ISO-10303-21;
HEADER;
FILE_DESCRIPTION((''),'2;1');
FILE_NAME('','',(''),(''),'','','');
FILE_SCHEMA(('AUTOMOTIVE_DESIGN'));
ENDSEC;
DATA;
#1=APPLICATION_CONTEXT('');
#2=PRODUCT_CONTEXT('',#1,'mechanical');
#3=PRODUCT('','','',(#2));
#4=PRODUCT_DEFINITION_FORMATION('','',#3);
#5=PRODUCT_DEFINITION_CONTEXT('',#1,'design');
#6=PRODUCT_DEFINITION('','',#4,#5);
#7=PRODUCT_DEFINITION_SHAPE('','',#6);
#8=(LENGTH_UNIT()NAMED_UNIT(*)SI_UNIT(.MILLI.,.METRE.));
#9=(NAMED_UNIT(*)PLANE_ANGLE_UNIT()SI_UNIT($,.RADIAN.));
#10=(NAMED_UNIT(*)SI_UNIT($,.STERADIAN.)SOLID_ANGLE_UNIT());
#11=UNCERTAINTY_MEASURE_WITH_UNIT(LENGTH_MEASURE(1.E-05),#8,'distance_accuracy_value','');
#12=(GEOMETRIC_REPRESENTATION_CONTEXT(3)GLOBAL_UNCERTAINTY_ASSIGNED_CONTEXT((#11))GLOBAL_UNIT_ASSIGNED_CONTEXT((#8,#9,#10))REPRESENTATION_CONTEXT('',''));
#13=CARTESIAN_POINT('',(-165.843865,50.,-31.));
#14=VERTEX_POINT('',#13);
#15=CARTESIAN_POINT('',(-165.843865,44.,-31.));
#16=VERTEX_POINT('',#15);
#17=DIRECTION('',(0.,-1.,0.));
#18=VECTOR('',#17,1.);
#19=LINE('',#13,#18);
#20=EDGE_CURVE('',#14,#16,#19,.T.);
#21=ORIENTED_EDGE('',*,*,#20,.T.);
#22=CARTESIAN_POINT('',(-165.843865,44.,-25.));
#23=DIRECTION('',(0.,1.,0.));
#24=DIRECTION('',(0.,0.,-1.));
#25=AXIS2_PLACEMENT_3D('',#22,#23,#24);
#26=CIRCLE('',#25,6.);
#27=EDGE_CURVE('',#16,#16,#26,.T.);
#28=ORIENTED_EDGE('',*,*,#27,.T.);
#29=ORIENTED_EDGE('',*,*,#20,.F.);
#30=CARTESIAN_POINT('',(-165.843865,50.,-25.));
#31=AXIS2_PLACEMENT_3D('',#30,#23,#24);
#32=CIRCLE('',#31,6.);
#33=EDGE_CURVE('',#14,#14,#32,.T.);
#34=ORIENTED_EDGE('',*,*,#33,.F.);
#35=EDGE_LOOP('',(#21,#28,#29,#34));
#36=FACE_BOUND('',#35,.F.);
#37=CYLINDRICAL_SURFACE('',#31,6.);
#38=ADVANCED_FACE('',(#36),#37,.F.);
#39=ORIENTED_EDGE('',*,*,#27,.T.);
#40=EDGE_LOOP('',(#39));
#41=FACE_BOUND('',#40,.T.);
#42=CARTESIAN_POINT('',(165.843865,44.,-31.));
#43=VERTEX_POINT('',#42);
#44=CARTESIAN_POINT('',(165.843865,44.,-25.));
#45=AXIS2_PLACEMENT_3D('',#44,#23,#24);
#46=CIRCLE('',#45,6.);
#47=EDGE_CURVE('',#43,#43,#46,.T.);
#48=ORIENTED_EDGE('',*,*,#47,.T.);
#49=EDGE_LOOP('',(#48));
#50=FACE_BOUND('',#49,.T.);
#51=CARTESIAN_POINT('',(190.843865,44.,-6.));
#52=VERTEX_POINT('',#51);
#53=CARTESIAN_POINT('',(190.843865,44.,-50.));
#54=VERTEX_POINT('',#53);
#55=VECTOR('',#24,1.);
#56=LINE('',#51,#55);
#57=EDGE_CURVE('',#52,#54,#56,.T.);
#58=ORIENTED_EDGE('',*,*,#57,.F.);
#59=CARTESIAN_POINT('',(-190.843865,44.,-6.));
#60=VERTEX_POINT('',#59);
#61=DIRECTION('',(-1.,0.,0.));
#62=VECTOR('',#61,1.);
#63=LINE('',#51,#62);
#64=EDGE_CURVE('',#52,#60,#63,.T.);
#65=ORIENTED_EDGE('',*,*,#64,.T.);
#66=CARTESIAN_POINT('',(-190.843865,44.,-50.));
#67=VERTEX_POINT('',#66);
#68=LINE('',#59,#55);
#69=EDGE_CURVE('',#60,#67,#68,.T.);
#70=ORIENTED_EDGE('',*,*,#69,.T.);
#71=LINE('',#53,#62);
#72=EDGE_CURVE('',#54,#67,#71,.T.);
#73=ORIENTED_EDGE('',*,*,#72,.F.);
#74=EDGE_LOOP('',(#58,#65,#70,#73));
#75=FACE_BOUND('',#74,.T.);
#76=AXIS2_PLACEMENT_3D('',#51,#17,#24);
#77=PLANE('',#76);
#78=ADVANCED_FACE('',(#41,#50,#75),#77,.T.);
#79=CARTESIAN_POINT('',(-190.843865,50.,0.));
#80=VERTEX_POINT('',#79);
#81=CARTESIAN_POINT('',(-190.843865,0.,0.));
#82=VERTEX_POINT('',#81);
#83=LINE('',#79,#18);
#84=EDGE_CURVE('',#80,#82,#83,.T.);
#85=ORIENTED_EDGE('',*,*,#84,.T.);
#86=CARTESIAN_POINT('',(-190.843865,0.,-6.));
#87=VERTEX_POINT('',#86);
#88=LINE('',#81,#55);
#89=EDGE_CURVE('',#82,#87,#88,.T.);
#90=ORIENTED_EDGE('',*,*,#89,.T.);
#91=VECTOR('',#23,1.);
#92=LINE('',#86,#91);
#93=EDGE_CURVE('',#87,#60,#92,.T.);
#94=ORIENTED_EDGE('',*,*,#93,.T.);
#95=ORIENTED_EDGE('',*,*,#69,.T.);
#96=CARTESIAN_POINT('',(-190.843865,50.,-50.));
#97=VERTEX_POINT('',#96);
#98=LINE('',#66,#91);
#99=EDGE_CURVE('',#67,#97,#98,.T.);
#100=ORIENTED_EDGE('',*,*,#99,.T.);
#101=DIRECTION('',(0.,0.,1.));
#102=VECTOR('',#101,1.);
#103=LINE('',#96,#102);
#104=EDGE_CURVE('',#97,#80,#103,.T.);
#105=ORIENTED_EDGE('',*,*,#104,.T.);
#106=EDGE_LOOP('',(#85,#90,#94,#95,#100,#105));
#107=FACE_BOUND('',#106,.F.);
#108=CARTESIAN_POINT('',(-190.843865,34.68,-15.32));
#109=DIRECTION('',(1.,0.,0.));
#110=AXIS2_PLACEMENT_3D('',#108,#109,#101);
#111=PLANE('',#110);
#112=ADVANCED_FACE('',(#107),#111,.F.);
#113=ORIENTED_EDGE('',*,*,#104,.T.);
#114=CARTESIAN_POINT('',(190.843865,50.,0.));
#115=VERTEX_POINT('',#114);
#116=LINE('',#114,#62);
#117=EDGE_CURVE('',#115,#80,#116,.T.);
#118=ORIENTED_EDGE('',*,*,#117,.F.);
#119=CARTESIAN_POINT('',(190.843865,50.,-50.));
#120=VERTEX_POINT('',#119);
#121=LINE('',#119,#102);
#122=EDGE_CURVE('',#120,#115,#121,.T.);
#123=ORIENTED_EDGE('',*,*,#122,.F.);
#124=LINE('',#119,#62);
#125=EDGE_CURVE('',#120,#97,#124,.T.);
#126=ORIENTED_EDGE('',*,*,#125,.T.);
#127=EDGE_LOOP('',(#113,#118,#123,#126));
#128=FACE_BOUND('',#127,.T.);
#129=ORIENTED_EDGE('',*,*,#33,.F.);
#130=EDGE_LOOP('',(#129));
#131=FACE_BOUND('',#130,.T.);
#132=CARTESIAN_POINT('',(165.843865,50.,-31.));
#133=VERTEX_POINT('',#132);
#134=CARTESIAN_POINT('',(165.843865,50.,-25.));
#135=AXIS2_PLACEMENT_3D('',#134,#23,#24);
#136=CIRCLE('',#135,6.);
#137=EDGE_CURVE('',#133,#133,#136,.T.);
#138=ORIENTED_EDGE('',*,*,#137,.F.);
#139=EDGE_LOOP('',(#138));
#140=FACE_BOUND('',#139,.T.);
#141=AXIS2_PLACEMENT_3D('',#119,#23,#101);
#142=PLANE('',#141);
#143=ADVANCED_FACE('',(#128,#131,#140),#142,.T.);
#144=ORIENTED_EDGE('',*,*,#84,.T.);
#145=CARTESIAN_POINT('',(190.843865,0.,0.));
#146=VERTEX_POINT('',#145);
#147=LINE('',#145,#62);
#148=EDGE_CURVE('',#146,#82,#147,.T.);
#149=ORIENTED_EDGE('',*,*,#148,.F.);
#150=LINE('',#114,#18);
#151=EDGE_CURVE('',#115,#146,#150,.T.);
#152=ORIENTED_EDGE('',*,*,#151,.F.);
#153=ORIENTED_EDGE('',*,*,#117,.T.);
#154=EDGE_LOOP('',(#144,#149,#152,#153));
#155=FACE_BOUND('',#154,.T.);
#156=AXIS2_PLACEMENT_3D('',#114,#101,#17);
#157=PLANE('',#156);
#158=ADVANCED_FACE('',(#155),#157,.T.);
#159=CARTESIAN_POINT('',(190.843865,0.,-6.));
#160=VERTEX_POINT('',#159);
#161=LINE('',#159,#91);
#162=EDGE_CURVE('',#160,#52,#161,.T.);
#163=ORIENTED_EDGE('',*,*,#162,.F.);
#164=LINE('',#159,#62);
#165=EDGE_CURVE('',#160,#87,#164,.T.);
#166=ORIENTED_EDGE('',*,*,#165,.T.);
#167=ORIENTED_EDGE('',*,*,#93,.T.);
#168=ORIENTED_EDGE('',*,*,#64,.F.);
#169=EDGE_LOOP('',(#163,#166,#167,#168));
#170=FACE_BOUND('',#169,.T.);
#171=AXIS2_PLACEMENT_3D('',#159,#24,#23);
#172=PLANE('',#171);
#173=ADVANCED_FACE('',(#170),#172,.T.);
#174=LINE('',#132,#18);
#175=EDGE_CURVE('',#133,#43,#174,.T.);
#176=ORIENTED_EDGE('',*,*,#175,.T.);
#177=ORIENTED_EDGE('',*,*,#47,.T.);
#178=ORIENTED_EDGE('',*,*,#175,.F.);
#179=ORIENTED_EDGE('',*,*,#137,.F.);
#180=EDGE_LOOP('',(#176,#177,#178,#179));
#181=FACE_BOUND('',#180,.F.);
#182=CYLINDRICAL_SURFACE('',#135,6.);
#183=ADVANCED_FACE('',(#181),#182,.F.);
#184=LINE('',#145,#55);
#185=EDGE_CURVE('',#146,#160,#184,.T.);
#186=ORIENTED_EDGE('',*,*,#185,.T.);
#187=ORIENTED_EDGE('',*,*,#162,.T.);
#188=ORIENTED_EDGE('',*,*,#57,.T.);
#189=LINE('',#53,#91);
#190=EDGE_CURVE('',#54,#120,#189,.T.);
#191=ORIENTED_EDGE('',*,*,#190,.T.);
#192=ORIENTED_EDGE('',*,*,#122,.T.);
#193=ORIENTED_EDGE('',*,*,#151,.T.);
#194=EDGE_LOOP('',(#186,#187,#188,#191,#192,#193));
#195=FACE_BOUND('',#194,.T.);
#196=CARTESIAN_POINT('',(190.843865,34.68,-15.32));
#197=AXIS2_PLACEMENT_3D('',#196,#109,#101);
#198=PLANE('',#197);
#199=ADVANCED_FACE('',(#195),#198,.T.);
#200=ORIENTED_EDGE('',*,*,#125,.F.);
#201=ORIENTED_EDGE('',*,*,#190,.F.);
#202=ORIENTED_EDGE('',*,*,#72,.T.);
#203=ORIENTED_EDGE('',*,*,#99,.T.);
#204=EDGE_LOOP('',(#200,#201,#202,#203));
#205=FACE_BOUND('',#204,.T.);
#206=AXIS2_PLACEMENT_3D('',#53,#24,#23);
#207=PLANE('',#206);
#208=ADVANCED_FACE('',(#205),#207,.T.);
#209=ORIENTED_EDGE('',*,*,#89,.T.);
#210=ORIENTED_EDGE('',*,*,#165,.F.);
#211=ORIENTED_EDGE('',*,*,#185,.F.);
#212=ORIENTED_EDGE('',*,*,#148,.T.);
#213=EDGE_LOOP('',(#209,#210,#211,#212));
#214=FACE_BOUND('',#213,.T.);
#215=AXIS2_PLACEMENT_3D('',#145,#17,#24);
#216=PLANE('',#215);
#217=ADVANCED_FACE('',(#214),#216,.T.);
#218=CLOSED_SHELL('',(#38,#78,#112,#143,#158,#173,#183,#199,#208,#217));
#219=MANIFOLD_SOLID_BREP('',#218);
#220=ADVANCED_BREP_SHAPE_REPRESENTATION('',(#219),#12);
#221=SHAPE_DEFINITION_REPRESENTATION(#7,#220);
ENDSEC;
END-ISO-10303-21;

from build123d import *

# Parameters (mm, degrees)
PAD_DEPTH               = 381.68773
COPYSKETCH001_R         = 6
POCKET_DEPTH            = 50.001
PADBODY_PITCH_ANGLE     = 90
PADBODY_PLACEMENT_ANGLE = -180


with BuildPart() as part:
    # Sketch → Pad (new body)
    with BuildSketch(Plane.XY):
        Polygon((0, 0), (0, 50), (6, 50), (6, 6), (50, 6), (50, 0), align=None)
    extrude(amount=PAD_DEPTH)

    # CopySketch001 (on Pad) → Pocket (cut, through all)
    with BuildSketch(Plane.XZ):
        with Locations((25, 25)):
            Circle(COPYSKETCH001_R)
        with Locations((25, 356.68773)):
            Circle(COPYSKETCH001_R)
    extrude(amount=-POCKET_DEPTH, mode=Mode.SUBTRACT)


with BuildPart() as part_1:
    # PadBody pitch: moved
    add(part.part.rotate(Axis((0, 0, 0), (0, 1, 0)), PADBODY_PITCH_ANGLE))


with BuildPart() as part_2:
    # PadBody placement: moved
    add(part_1.part.moved(Location((190.843865, 50, 0))).rotate(Axis((190.843865, 50, 0), (0, 0, 1)), PADBODY_PLACEMENT_ANGLE))


solid = part_2.part
